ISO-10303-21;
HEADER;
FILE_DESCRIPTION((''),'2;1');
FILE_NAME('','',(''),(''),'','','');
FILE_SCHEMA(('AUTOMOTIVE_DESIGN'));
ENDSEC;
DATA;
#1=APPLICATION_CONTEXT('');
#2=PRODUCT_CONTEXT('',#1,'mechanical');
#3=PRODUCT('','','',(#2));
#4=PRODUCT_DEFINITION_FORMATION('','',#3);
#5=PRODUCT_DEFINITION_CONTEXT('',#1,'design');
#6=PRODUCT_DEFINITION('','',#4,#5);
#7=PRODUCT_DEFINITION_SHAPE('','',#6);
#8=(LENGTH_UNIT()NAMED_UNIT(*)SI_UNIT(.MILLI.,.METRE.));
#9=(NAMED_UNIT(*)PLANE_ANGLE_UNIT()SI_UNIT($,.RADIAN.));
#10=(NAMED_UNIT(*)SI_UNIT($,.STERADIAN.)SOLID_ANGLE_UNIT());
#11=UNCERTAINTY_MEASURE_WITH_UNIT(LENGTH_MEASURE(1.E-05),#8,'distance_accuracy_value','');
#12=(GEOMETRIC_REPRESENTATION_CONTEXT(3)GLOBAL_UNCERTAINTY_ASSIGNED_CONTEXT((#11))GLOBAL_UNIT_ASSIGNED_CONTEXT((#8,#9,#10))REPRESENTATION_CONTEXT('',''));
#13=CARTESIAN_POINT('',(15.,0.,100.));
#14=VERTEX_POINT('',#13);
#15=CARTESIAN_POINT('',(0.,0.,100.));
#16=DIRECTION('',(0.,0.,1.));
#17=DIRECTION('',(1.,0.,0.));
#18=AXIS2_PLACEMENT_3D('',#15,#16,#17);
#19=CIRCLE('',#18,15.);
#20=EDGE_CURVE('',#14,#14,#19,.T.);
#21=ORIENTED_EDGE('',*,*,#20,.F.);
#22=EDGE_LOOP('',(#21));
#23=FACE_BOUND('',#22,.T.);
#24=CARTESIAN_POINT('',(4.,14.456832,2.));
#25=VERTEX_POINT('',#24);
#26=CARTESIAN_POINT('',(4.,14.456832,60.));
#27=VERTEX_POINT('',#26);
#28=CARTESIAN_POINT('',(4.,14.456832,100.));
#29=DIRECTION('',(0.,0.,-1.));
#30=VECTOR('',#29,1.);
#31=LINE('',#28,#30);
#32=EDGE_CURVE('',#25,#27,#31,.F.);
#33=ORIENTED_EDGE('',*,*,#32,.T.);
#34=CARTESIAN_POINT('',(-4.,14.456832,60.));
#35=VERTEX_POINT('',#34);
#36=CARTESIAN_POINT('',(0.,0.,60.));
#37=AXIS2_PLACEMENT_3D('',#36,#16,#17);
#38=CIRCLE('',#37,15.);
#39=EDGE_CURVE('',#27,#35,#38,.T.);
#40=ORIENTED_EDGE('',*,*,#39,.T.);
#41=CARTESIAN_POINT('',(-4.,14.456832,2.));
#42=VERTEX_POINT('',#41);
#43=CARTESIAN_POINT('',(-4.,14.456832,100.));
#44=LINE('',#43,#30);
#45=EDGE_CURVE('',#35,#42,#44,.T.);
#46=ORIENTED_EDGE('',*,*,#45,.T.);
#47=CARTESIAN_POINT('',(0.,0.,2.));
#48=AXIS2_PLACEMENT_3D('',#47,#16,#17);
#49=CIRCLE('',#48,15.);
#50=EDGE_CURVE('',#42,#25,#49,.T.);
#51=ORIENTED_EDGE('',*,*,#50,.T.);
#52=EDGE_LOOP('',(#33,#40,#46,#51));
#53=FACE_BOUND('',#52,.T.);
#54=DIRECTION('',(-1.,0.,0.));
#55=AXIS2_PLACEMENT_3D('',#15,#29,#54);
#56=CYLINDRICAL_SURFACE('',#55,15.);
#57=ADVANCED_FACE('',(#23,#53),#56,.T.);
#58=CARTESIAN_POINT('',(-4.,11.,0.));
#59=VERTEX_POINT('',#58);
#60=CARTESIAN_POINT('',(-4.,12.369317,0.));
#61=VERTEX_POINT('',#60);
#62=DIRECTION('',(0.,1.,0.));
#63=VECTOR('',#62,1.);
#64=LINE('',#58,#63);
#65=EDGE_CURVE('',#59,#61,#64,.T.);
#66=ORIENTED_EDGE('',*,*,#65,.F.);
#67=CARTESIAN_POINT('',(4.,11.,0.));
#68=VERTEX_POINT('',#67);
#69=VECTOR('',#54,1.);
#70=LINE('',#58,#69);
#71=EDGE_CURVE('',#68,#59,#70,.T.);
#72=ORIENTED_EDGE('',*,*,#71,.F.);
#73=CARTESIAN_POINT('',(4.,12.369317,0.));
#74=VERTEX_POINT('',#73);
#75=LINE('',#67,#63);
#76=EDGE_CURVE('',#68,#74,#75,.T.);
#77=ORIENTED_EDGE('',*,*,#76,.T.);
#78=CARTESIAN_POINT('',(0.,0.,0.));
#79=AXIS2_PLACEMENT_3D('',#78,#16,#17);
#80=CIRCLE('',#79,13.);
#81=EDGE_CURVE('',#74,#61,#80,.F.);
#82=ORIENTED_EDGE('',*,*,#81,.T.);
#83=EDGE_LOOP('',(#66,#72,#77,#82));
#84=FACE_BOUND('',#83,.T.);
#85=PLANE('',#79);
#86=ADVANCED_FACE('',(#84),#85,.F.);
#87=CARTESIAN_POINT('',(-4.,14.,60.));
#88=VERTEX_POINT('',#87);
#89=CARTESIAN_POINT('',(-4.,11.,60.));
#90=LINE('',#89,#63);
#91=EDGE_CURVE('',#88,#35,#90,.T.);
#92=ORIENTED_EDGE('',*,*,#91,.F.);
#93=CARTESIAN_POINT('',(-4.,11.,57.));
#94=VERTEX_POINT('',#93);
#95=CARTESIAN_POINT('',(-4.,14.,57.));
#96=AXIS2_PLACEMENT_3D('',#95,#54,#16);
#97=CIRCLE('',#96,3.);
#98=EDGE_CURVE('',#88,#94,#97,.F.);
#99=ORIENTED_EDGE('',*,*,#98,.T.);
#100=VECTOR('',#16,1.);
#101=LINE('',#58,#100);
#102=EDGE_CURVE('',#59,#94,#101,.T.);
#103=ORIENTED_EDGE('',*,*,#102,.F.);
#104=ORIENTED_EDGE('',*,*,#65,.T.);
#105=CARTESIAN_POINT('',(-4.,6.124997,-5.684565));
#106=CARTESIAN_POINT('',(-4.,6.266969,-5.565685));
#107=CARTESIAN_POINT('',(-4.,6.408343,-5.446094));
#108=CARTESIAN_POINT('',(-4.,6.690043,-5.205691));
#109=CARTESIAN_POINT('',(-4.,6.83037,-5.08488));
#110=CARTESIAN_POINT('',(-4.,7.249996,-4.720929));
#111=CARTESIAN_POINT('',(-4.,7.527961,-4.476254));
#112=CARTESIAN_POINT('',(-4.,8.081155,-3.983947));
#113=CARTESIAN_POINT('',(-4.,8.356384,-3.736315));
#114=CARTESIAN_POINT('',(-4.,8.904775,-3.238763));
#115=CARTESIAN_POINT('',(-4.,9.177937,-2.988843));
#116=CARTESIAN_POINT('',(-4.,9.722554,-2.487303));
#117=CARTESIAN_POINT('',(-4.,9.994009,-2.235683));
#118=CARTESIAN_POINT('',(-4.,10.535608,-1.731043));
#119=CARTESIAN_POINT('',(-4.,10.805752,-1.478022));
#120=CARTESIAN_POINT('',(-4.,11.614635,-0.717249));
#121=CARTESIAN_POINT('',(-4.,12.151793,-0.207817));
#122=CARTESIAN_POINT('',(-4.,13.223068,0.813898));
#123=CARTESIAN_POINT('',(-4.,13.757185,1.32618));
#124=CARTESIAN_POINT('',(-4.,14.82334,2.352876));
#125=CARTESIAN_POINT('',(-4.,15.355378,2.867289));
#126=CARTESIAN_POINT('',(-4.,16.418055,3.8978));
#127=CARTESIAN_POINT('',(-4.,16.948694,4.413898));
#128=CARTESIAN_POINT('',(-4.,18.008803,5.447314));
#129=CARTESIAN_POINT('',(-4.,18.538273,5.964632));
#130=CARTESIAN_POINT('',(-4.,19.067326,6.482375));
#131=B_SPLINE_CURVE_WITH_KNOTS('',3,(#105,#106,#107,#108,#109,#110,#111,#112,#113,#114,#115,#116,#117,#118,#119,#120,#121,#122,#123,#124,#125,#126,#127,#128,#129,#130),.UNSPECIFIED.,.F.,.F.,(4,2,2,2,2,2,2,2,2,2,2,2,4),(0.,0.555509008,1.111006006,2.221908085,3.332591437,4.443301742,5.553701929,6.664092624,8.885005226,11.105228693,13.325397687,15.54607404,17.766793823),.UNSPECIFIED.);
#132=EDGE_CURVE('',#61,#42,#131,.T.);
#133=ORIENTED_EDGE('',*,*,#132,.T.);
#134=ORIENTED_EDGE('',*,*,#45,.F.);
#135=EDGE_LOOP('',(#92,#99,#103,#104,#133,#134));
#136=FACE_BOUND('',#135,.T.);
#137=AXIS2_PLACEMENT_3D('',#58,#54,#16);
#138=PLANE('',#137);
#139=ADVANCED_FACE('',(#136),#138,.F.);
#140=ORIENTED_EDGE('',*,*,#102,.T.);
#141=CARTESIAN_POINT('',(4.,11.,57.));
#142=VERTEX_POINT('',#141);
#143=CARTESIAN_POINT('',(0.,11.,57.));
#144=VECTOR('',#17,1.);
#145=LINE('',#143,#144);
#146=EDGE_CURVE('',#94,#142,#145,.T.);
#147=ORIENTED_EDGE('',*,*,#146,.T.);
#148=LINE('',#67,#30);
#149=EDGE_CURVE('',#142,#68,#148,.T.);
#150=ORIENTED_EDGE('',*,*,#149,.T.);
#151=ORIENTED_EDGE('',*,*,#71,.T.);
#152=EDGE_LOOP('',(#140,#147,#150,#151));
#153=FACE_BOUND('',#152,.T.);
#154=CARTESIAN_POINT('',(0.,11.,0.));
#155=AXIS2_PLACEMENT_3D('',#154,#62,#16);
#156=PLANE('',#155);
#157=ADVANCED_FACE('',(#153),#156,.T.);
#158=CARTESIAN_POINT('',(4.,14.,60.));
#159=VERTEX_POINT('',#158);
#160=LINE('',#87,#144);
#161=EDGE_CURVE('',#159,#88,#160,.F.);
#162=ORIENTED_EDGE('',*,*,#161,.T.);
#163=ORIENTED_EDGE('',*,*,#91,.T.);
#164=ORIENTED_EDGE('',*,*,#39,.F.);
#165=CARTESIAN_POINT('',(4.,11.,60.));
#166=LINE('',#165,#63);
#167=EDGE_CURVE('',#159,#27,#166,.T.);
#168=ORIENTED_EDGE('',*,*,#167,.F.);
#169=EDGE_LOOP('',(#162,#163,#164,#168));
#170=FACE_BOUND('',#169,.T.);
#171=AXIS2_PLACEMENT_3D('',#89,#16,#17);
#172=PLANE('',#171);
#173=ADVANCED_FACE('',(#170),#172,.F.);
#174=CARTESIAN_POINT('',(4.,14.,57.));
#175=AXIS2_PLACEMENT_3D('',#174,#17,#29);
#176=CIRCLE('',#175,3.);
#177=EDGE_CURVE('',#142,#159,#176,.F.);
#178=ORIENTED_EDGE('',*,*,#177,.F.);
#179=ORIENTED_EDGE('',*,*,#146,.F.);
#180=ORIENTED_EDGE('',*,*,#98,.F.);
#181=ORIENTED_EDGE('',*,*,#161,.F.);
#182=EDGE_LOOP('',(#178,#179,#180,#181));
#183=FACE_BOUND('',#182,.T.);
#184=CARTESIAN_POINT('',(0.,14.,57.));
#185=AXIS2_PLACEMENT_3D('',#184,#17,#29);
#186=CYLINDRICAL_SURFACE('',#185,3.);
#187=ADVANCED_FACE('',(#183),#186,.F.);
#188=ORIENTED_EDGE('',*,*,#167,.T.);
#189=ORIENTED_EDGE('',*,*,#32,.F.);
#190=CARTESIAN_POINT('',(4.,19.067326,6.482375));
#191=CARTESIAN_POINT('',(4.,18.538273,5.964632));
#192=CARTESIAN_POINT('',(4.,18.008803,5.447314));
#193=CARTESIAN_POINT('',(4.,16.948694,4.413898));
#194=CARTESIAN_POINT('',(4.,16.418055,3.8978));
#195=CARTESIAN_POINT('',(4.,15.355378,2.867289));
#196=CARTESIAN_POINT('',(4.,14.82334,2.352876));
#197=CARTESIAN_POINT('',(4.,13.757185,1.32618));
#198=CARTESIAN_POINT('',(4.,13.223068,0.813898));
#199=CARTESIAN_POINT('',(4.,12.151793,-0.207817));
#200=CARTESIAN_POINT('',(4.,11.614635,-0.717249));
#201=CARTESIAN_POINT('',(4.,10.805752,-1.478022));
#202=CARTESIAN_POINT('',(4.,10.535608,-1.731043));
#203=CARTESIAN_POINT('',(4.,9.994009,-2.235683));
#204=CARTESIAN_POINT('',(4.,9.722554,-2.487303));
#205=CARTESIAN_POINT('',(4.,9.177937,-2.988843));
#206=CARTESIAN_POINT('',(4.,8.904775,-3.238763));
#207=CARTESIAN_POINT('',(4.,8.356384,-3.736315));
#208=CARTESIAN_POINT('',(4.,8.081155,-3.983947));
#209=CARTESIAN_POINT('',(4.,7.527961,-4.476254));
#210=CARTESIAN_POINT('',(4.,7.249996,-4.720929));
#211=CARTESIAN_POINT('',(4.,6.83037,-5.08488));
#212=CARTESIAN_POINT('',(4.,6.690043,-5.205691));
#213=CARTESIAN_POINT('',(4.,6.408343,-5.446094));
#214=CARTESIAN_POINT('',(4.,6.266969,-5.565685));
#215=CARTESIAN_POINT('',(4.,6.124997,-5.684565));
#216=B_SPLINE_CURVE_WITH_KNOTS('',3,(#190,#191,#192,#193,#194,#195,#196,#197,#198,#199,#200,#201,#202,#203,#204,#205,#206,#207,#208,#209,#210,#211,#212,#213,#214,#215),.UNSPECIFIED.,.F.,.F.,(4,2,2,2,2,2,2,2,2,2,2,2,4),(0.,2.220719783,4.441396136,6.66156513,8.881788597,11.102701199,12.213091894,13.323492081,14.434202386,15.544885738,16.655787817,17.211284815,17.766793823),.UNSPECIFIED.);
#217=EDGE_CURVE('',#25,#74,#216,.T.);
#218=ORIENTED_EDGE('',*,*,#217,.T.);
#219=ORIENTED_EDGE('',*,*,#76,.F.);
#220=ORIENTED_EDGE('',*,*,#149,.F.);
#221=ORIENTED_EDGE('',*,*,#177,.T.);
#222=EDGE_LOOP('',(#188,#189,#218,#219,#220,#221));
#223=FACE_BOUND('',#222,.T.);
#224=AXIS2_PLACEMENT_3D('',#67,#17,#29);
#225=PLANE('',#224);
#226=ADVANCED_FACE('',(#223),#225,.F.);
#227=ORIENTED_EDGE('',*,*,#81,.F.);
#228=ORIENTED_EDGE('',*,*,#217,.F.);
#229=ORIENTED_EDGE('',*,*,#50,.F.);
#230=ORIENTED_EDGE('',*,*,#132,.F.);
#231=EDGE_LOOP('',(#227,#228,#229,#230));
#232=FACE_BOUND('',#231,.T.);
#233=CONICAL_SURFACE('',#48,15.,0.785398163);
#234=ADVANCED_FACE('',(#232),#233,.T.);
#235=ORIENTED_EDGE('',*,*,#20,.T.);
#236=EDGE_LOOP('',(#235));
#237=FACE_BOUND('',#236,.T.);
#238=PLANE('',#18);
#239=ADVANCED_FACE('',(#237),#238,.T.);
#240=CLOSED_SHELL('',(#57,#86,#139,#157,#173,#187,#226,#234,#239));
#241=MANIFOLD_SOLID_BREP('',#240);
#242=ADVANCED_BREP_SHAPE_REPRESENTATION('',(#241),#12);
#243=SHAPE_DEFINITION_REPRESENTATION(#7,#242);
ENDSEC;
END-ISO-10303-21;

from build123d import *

# Parameters (mm, degrees)
SKETCH1_R           = 15
BOSS_EXTRUDE1_DEPTH = 100
CHAMFER1_SIZE       = 2
SKETCH3_W           = 8
SKETCH3_H           = 60
CUT_EXTRUDE1_DEPTH  = 4
FILLET1_R           = 3


with BuildPart() as part:
    # Sketch1 → Boss-Extrude1 (new body)
    with BuildSketch(Plane.XY):
        Circle(SKETCH1_R)
    extrude(amount=BOSS_EXTRUDE1_DEPTH)

    # Chamfer1
    chamfer1_edges = [part.edges().sort_by_distance(p)[0] for p in [
        (-15, 0, 0),
    ]]
    chamfer(chamfer1_edges, length=CHAMFER1_SIZE)

    # Sketch3 → Cut-Extrude1 (cut)
    with BuildSketch(Plane(origin=(0, 15, 100), x_dir=(1, 0, 0), z_dir=(0, 1, 0))):
        with Locations((0, 70)):
            Rectangle(SKETCH3_W, SKETCH3_H)
    extrude(amount=-CUT_EXTRUDE1_DEPTH, mode=Mode.SUBTRACT)

    # Fillet1
    fillet1_edges = [part.edges().sort_by_distance(p)[0] for p in [
        (0, 11, 60),
    ]]
    fillet(fillet1_edges, radius=FILLET1_R)


solid = part.part
